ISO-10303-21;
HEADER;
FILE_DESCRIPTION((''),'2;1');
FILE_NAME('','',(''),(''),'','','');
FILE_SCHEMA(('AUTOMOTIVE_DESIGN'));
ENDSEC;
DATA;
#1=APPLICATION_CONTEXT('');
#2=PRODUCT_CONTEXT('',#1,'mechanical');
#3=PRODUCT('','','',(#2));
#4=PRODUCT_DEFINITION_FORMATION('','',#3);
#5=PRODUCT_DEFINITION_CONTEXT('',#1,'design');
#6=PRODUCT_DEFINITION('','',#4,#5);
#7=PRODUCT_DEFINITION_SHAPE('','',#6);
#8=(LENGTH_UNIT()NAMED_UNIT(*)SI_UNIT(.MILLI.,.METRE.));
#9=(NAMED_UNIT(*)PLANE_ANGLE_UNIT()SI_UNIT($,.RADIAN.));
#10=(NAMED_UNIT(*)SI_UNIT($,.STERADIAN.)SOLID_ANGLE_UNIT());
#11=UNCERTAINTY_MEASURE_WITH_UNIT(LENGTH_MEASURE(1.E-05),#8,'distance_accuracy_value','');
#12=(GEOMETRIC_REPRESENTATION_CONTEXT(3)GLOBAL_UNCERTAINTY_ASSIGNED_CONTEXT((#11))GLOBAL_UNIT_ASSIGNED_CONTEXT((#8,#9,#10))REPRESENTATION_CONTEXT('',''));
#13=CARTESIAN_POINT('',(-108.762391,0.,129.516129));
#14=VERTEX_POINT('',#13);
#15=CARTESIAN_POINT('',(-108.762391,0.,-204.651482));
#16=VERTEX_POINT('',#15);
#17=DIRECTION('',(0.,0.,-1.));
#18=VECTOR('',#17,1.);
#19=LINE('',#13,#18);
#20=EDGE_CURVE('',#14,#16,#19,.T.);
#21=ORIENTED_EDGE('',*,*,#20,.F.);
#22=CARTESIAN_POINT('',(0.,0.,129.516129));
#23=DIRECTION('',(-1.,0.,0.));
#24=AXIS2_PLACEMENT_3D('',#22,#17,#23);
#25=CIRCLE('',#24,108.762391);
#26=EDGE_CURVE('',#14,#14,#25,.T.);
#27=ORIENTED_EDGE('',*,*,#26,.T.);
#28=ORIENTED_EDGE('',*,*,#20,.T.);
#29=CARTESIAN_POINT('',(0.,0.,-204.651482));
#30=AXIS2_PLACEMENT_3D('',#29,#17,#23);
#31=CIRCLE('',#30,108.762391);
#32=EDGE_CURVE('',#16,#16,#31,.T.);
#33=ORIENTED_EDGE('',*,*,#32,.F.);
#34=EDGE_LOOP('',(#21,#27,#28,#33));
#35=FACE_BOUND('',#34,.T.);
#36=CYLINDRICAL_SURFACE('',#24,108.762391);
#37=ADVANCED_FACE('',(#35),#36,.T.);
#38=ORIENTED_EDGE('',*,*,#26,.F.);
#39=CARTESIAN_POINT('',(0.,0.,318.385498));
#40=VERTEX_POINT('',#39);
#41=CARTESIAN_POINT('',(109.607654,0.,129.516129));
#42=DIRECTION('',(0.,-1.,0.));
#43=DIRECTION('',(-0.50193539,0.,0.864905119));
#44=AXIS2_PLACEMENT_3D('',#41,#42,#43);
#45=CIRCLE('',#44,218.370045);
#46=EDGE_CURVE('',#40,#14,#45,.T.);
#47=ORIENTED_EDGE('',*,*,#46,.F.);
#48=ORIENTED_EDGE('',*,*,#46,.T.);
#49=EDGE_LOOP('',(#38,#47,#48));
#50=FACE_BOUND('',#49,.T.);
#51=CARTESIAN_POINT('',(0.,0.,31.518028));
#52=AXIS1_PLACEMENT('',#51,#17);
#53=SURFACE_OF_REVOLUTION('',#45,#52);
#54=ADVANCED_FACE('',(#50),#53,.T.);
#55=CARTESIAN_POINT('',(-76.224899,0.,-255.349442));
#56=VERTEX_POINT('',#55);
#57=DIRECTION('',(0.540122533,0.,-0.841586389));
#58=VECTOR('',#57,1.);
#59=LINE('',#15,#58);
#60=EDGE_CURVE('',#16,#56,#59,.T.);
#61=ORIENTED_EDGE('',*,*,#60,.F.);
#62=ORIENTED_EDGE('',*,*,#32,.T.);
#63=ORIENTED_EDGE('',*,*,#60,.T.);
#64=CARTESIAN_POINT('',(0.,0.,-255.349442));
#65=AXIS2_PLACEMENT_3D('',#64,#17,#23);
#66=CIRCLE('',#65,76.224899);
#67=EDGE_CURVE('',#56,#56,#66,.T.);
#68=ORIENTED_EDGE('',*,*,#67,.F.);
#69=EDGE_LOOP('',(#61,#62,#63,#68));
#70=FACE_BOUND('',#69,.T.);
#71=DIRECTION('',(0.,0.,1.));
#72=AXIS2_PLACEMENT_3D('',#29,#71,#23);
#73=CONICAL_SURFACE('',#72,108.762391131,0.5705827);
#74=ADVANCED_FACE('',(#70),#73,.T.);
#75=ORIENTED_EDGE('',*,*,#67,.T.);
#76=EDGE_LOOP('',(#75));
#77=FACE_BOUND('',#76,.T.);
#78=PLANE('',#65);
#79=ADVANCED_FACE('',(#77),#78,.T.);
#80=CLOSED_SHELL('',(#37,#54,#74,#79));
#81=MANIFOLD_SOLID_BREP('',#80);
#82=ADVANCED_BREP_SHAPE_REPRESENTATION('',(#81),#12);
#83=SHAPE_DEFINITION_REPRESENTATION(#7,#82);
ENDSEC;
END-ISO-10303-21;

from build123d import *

# Parameters (mm, degrees)
F2_SCALE = 4.016064257


with BuildPart() as f1:
    # F0 (on Front) → F1 (revolve)
    with BuildSketch(Plane.XZ):
        with BuildLine():
            Line((0, -63.582010967), (0, 0))
            Line((0, 0), (0, 79.277989063))
            ThreePointArc((0, 79.277989063), (-19.8274507743, 59.3839180404), (-27.0818353918, 32.2495160775))
            Line((-27.0818353918, 32.2495160775), (-27.0818353918, -50.9582190075))
            Line((-27.0818353918, -50.9582190075), (-18.979999886, -63.582010967))
            Line((-18.979999886, -63.582010967), (0, -63.582010967))
        make_face()
    revolve(axis=Axis((0, 0, 7.847989048), (0, 0, -1)))


with BuildPart() as f1_1:
    # F2: moved
    add(f1.part.scale(F2_SCALE))


solid = f1_1.part
